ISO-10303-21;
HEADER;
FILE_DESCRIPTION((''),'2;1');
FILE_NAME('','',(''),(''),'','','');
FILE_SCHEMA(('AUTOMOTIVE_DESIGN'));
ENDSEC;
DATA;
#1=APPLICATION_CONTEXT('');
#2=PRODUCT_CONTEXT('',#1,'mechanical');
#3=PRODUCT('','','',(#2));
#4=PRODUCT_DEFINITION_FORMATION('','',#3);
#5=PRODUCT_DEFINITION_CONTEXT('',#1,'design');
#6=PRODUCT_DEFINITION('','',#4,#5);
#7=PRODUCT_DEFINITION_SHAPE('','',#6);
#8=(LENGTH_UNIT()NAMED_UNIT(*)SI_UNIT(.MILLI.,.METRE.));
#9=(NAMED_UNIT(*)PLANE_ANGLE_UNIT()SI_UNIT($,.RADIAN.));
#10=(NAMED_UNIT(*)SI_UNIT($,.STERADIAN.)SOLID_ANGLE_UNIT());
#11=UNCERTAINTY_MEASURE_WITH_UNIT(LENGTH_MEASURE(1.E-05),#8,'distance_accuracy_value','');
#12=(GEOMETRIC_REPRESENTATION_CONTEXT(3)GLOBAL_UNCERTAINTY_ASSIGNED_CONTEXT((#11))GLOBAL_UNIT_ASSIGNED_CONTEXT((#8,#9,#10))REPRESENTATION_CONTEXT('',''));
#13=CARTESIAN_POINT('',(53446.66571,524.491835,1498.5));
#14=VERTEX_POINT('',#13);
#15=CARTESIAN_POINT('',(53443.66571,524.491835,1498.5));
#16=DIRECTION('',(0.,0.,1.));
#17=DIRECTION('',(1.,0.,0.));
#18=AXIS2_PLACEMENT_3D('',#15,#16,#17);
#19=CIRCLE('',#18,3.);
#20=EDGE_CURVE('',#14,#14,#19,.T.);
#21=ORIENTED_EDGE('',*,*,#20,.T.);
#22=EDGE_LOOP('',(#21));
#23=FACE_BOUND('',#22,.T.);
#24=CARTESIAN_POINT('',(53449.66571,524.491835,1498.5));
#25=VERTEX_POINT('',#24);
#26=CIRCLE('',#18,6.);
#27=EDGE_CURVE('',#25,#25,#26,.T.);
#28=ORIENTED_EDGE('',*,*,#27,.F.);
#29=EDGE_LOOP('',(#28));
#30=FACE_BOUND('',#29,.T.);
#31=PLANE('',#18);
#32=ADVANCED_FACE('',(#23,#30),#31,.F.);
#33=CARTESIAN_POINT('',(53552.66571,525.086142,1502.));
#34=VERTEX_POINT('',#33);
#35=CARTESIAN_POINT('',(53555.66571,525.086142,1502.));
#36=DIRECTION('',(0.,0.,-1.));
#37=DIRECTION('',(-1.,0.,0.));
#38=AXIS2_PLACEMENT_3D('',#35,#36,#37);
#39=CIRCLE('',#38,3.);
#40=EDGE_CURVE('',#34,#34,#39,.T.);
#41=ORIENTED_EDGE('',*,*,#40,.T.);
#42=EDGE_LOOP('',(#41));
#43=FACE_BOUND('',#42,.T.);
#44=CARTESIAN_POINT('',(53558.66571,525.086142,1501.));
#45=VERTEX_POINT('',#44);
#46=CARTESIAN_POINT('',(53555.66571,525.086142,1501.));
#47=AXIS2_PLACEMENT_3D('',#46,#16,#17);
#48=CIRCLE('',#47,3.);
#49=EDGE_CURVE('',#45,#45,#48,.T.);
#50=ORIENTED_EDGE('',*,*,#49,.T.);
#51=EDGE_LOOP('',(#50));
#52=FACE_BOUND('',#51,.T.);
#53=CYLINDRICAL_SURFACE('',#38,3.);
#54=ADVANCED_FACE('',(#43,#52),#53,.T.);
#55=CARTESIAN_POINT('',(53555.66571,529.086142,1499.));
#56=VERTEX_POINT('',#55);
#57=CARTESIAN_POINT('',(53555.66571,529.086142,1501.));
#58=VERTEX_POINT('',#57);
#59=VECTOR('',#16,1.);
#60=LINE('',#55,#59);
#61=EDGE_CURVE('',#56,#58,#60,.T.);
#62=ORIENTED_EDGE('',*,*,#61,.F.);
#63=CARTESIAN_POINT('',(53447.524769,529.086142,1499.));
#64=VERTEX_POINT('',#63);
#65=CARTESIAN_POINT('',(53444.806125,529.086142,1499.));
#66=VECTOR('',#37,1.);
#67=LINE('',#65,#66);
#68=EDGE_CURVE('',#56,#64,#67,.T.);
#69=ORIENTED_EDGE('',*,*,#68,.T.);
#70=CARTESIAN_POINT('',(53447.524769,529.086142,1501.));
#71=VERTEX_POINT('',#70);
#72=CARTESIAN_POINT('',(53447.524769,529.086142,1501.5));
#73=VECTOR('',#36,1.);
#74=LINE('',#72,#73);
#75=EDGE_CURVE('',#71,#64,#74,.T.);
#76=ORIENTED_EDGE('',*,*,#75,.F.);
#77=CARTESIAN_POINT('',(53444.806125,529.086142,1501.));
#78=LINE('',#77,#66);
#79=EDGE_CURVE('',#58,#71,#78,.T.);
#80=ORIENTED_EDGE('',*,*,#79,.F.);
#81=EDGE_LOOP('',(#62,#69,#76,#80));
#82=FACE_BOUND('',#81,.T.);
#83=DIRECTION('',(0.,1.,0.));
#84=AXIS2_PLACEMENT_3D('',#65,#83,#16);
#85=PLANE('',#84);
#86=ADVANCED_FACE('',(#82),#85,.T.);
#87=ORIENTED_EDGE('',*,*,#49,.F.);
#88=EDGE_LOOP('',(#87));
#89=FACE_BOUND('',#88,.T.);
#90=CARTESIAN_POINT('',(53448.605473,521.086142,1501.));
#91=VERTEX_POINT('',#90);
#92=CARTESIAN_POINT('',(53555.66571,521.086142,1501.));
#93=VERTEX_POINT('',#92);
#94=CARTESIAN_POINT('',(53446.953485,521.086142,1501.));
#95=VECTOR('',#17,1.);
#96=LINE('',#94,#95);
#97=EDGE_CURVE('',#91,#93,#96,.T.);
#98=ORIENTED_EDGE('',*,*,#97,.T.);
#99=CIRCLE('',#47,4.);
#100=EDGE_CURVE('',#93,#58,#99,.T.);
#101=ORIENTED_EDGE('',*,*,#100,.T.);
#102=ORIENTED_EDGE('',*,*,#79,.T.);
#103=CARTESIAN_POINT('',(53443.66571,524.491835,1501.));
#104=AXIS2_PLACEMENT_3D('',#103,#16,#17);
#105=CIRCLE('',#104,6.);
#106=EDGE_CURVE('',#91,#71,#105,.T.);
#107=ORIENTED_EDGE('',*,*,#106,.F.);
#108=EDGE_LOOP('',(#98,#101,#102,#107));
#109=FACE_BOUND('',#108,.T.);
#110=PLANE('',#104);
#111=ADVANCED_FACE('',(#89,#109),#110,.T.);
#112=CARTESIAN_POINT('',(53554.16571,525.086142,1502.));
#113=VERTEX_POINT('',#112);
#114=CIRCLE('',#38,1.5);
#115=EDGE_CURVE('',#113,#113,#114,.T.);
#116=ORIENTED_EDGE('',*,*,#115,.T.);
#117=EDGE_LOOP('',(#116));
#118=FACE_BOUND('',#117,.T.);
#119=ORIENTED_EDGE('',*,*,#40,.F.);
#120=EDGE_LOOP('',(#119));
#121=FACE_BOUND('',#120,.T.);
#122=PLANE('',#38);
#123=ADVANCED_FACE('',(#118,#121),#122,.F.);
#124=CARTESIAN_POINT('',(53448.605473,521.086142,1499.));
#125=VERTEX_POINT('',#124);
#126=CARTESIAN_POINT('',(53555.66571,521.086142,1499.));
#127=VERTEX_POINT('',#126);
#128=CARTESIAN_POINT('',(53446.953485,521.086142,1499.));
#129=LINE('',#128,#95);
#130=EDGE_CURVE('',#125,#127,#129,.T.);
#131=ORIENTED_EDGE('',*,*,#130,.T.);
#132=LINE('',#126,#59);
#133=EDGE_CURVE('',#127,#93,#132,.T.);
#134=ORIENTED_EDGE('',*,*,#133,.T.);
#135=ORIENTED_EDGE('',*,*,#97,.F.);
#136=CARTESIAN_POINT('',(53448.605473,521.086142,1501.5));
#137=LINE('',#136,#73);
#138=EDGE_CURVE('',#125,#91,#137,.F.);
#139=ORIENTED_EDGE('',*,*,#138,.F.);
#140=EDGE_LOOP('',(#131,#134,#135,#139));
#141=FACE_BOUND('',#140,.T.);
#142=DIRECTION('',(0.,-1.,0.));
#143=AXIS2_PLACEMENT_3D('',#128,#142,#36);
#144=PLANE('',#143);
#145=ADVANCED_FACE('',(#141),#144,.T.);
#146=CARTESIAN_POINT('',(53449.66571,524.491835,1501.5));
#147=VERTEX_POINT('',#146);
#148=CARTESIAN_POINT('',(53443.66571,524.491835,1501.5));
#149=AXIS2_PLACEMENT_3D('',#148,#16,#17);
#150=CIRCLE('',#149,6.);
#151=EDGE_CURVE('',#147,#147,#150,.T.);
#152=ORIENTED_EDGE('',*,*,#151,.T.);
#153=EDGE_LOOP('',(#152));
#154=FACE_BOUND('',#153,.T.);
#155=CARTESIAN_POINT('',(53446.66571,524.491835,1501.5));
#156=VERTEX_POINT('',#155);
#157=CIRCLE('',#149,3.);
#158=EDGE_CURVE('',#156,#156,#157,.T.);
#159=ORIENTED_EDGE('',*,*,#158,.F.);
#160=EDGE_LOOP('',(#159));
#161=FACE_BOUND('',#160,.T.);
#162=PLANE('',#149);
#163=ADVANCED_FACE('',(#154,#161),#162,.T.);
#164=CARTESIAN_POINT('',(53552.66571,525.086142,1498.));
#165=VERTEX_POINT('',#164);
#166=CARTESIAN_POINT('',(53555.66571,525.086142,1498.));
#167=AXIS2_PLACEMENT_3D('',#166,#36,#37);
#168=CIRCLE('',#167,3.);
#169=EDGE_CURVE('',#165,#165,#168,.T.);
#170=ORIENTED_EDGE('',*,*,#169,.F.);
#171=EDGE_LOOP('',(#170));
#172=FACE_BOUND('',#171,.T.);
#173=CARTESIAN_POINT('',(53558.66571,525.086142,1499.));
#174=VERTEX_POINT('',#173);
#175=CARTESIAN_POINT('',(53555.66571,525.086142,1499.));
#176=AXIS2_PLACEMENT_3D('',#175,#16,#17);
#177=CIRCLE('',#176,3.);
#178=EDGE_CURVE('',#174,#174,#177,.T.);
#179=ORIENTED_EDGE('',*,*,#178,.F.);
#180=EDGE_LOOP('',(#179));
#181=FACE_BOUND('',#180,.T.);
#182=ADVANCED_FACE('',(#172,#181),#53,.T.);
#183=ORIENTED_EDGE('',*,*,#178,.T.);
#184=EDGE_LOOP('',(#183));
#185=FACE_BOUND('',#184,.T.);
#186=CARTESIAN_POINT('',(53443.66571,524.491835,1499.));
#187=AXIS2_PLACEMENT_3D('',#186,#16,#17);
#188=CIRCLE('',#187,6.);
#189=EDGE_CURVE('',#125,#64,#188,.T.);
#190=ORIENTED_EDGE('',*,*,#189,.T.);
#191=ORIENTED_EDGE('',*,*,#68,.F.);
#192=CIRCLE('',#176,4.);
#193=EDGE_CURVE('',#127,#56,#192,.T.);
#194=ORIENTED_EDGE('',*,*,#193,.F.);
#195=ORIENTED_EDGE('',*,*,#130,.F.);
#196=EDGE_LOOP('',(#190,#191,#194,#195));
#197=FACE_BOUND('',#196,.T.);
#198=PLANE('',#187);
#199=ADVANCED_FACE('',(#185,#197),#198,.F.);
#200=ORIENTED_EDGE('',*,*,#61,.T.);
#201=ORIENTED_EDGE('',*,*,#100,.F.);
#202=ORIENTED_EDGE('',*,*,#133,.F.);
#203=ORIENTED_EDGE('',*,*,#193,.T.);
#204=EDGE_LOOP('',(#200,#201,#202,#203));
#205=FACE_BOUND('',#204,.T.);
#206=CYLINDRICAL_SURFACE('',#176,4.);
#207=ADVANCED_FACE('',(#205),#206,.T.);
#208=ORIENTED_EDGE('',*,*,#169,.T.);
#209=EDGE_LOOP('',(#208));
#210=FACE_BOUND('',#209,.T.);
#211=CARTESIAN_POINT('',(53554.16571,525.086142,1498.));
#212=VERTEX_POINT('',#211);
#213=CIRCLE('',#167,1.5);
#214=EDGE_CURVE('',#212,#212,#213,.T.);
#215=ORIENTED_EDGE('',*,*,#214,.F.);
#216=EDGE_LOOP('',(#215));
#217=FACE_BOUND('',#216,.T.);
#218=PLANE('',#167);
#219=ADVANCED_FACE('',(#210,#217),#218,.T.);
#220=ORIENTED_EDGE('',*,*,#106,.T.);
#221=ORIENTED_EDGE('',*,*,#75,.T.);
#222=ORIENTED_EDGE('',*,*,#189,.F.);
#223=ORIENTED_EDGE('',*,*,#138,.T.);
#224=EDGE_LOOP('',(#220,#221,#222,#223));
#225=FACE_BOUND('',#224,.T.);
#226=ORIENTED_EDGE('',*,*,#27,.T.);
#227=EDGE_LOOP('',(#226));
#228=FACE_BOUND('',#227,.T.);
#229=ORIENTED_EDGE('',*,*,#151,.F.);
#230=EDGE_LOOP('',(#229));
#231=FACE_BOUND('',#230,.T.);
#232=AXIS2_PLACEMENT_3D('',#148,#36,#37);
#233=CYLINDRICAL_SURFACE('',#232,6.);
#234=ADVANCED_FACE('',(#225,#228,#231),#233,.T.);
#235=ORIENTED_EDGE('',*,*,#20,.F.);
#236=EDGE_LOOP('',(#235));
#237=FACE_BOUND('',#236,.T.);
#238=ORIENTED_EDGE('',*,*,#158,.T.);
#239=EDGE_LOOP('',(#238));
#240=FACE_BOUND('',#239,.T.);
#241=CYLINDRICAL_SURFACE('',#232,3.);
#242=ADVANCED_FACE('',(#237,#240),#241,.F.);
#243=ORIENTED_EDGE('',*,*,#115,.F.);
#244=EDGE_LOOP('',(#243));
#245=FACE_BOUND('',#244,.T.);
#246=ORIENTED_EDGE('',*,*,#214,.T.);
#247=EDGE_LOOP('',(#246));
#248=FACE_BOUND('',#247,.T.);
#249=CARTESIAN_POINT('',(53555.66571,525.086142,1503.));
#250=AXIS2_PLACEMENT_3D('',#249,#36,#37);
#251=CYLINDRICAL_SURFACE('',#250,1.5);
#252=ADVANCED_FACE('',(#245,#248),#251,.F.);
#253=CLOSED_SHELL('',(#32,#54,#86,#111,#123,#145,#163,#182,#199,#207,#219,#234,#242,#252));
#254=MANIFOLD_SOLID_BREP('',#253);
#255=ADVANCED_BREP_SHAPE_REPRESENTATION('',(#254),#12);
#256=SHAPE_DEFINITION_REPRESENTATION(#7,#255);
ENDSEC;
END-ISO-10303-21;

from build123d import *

# Parameters (mm, degrees)
SKETCH2_R                = 6000
SKETCH2_R_2              = 3000
BOSS_EXTRUDE1_DEPTH      = 3000
BOSS_EXTRUDE2_DEPTH      = 1000
BOSS_EXTRUDE2_DEPTH_BACK = 1000
BOSS_EXTRUDE3_DEPTH      = 1000
BOSS_EXTRUDE3_DEPTH_BACK = 3000
SKETCH4_R                = 3000
SKETCH5_R                = 1500
CUT_EXTRUDE1_DEPTH       = 5000
SCALE1_SCALE             = 0.001


with BuildPart() as part:
    # Sketch2 → Boss-Extrude1 (new body)
    with BuildSketch(Plane.XY):
        Circle(SKETCH2_R)
        Circle(SKETCH2_R_2, mode=Mode.SUBTRACT)
    extrude(amount=BOSS_EXTRUDE1_DEPTH)

    # Sketch3 → Boss-Extrude2 (add, two sides: drawn at the far end of the back side and taken through both)
    with BuildSketch(Plane.XY.offset(1500).offset(-BOSS_EXTRUDE2_DEPTH_BACK)):
        with BuildLine():
            Line((1140.414956358, 4594.307428083), (112000, 4594.307428083))
            ThreePointArc((112000, 4594.307428083), (116000, 594.307428083), (112000, -3405.692571917))
            Line((112000, -3405.692571917), (3287.775102105, -3405.692571917))
            ThreePointArc((3287.775102105, -3405.692571917), (4571.894224331, 1227.187930987), (1140.414956358, 4594.307428083))
        make_face()
    extrude(amount=BOSS_EXTRUDE2_DEPTH + BOSS_EXTRUDE2_DEPTH_BACK)

    # Sketch4 → Boss-Extrude3 (add, two sides: drawn at the far end of the back side and taken through both)
    with BuildSketch(Plane(origin=(0, 0, 500), x_dir=(-1, 0, 0), z_dir=(0, 0, -1)).offset(-BOSS_EXTRUDE3_DEPTH_BACK)):
        with Locations((-112000, 594.307428083)):
            Circle(SKETCH4_R)
    extrude(amount=BOSS_EXTRUDE3_DEPTH + BOSS_EXTRUDE3_DEPTH_BACK)

    # Sketch5 → Cut-Extrude1 (cut)
    with BuildSketch(Plane(origin=(0, 0, -500), x_dir=(-1, 0, 0), z_dir=(0, 0, -1))):
        with Locations((-112000, 594.307428083)):
            Circle(SKETCH5_R)
    extrude(amount=-CUT_EXTRUDE1_DEPTH, mode=Mode.SUBTRACT)


with BuildPart() as part_1:
    # Scale1: scaled about (53497.162872558, 525.016851584, 1500)
    add(part.part.scale(SCALE1_SCALE).moved(Location((53443.665709685, 524.491834732, 1498.5))))


solid = part_1.part
